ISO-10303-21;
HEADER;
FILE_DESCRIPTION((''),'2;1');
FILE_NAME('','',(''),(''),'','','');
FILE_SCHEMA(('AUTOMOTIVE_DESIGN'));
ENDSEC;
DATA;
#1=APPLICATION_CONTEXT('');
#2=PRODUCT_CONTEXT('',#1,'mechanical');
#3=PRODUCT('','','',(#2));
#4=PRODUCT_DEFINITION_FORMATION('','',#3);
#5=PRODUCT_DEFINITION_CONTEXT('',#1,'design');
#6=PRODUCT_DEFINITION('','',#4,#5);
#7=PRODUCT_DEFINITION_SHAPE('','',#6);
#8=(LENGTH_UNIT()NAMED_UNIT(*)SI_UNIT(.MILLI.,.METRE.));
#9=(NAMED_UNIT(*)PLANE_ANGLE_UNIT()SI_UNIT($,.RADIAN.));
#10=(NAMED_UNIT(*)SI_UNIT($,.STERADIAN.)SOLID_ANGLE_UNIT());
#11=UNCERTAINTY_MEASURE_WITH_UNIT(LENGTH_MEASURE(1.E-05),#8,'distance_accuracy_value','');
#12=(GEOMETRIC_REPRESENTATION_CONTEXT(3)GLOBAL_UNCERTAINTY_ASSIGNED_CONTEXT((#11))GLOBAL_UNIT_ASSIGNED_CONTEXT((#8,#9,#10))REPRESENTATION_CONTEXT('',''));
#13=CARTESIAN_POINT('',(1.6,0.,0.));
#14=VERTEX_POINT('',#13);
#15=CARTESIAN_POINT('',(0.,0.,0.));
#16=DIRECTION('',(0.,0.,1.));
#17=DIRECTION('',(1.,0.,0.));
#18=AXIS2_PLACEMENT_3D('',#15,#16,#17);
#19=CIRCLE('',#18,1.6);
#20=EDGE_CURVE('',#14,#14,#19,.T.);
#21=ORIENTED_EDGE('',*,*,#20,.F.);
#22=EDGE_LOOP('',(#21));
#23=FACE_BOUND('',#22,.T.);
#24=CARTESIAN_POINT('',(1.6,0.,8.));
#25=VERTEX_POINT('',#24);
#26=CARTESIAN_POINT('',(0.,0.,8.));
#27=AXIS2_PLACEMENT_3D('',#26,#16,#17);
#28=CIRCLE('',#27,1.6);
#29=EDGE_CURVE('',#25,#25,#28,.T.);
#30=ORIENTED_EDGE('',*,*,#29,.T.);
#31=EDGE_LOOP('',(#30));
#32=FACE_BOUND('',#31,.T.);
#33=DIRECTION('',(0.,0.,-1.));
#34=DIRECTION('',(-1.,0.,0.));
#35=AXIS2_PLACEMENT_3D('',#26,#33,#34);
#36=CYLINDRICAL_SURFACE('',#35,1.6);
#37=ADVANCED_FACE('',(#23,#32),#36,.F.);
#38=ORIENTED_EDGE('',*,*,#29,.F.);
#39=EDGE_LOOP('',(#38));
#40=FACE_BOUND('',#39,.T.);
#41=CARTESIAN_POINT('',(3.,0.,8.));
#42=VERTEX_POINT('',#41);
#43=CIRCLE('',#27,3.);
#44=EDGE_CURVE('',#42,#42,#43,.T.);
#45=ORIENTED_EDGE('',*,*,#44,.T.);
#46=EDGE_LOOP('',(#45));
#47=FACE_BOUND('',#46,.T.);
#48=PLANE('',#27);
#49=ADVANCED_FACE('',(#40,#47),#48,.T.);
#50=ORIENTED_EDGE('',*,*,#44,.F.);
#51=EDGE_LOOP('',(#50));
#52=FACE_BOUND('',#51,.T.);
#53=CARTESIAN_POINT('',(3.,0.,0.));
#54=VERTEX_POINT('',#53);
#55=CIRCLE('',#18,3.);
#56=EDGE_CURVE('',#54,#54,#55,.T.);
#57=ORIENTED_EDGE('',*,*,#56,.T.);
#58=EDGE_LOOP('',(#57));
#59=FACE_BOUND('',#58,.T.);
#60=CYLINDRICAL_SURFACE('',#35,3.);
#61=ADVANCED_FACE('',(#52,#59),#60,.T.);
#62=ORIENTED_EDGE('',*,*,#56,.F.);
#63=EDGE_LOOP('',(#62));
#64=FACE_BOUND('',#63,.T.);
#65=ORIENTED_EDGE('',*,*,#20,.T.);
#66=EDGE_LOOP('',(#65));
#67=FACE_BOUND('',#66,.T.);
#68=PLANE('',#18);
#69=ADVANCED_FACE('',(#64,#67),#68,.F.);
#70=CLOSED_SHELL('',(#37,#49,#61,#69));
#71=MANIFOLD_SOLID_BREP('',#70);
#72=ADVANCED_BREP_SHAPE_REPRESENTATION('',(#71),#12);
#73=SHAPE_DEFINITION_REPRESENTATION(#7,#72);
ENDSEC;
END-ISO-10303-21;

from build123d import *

# Parameters (mm, degrees)
ESQUISSE1_R      = 3
ESQUISSE1_R_2    = 1.6
EXTRUSION1_DEPTH = 8


with BuildPart() as part:
    # Esquisse1 → Extrusion1 (new body)
    with BuildSketch(Plane.XY):
        Circle(ESQUISSE1_R)
        Circle(ESQUISSE1_R_2, mode=Mode.SUBTRACT)
    extrude(amount=EXTRUSION1_DEPTH)


solid = part.part
